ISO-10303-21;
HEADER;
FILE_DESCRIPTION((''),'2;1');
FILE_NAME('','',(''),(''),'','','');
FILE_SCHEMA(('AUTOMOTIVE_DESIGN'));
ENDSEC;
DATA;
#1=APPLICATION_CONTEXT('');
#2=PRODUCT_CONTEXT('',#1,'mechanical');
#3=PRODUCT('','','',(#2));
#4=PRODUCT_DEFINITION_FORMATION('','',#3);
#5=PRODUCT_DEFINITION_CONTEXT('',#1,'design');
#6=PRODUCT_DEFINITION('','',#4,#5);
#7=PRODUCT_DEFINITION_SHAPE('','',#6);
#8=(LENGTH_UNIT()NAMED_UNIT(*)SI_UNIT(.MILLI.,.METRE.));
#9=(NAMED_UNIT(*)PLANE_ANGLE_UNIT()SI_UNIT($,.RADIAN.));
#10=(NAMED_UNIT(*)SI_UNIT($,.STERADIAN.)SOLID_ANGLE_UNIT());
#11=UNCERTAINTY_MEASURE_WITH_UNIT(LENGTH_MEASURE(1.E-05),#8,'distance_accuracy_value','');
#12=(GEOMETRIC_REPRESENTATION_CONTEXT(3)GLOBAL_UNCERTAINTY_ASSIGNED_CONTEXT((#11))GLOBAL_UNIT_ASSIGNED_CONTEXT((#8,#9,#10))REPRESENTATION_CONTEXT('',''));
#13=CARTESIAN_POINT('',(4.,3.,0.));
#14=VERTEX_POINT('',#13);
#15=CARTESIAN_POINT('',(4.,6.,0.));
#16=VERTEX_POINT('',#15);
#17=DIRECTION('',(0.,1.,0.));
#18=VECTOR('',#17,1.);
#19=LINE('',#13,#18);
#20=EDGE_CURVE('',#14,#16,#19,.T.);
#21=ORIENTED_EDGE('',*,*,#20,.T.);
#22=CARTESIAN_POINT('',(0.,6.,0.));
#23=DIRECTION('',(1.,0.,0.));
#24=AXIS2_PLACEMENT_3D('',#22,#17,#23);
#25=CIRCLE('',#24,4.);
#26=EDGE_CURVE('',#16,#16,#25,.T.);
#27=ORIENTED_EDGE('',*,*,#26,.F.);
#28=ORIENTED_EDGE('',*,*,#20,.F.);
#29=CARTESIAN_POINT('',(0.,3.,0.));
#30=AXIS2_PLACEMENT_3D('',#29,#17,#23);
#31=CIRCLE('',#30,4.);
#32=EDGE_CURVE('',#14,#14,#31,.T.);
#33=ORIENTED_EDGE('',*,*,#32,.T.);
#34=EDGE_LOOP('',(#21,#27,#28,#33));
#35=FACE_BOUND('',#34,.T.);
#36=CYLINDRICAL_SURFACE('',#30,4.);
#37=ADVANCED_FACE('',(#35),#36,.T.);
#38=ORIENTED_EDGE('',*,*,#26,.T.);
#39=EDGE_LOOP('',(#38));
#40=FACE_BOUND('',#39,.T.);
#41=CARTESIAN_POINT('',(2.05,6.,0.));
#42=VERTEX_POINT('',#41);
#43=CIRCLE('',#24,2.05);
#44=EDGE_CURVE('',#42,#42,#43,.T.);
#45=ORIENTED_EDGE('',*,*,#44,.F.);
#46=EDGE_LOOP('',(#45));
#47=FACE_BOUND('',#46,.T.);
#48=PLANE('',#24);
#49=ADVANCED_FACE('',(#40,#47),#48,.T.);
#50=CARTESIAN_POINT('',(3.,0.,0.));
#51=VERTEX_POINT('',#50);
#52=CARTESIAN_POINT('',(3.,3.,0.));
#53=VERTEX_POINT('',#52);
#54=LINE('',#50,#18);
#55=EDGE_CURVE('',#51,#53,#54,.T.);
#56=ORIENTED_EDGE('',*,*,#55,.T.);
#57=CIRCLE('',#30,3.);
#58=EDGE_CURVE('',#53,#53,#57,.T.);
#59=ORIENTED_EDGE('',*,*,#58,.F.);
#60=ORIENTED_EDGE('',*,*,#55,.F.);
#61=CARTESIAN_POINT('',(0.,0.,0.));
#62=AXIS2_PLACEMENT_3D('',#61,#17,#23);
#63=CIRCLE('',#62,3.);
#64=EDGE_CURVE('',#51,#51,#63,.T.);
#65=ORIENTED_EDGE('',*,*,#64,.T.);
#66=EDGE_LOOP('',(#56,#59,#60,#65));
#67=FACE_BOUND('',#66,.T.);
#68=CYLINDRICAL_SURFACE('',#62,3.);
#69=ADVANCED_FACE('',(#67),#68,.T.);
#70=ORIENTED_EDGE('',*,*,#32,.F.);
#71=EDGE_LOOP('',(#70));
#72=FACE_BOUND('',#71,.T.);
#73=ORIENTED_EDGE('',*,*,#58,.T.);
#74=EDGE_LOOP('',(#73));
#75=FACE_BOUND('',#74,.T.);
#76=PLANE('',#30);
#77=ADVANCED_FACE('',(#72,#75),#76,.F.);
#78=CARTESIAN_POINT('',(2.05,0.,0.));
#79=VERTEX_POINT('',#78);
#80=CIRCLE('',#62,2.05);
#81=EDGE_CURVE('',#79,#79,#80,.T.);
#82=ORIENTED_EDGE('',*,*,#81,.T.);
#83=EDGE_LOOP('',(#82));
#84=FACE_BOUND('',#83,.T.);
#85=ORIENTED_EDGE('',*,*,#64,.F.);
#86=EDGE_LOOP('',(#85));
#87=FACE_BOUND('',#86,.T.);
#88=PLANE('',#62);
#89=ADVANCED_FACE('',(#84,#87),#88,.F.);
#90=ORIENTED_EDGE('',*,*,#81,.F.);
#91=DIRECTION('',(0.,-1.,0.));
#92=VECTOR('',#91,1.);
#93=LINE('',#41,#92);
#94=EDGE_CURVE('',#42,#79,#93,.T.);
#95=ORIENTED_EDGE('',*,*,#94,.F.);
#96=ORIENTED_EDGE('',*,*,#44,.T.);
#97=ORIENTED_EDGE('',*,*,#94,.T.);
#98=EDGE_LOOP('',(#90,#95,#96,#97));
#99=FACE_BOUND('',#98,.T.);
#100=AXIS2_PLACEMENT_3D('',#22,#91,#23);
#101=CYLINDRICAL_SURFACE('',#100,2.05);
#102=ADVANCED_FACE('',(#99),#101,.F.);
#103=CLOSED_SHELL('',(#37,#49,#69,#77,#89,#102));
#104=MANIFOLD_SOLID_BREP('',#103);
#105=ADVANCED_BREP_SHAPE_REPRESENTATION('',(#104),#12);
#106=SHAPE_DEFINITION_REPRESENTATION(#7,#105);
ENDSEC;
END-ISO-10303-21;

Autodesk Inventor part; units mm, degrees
ref_plane "YZ Plane" through (0, 0, 0) normal (1, 0, 0) x (0, 1, 0)
ref_plane "XZ Plane" through (0, 0, 0) normal (0, 1, 0) x (-1, 0, 0)
ref_plane "XY Plane" through (0, 0, 0) normal (0, 0, 1) x (1, 0, 0)
sketch "Sketch1" plane through (0, 0, 0) normal (0, 0, 1) x (1, 0, 0)
  line L0 (3, 0) -> (3, 3)
  line L1 (3, 3) -> (4, 3)
  line L2 (4, 3) -> (4, 6)
  line L3 (4, 6) -> (2.05, 6)
  line L4 (2.05, 6) -> (2.05, 0)
  line L5 (0, 0) -> (0, 8.8913)
  line L6 (2.05, 0) -> (3, 0)
  dimension "d0" = 6
  dimension "d1" = 3
  dimension "d2" = 3
  dimension "d3" = 4.1
  dimension "d4" = 8
revolve "Revolution1" add sketch "Sketch1" angle 360 about axis through (0, 0, 0) along (0, 1, 0)
equation "\"d0\" = od_b"
equation "\"d1\" = t2"
equation "\"d2\" = t1"
equation "\"d3\" = id"
equation "\"d4\" = od_a"
equation "\"od_a\" = 8"
equation "\"od_b\" = 6"
equation "\"t1\" = 3"
equation "\"t2\" = 3"
equation "\"id\" = 4.1"
properties part number "ceramics1" material "Silicon Nitride"
